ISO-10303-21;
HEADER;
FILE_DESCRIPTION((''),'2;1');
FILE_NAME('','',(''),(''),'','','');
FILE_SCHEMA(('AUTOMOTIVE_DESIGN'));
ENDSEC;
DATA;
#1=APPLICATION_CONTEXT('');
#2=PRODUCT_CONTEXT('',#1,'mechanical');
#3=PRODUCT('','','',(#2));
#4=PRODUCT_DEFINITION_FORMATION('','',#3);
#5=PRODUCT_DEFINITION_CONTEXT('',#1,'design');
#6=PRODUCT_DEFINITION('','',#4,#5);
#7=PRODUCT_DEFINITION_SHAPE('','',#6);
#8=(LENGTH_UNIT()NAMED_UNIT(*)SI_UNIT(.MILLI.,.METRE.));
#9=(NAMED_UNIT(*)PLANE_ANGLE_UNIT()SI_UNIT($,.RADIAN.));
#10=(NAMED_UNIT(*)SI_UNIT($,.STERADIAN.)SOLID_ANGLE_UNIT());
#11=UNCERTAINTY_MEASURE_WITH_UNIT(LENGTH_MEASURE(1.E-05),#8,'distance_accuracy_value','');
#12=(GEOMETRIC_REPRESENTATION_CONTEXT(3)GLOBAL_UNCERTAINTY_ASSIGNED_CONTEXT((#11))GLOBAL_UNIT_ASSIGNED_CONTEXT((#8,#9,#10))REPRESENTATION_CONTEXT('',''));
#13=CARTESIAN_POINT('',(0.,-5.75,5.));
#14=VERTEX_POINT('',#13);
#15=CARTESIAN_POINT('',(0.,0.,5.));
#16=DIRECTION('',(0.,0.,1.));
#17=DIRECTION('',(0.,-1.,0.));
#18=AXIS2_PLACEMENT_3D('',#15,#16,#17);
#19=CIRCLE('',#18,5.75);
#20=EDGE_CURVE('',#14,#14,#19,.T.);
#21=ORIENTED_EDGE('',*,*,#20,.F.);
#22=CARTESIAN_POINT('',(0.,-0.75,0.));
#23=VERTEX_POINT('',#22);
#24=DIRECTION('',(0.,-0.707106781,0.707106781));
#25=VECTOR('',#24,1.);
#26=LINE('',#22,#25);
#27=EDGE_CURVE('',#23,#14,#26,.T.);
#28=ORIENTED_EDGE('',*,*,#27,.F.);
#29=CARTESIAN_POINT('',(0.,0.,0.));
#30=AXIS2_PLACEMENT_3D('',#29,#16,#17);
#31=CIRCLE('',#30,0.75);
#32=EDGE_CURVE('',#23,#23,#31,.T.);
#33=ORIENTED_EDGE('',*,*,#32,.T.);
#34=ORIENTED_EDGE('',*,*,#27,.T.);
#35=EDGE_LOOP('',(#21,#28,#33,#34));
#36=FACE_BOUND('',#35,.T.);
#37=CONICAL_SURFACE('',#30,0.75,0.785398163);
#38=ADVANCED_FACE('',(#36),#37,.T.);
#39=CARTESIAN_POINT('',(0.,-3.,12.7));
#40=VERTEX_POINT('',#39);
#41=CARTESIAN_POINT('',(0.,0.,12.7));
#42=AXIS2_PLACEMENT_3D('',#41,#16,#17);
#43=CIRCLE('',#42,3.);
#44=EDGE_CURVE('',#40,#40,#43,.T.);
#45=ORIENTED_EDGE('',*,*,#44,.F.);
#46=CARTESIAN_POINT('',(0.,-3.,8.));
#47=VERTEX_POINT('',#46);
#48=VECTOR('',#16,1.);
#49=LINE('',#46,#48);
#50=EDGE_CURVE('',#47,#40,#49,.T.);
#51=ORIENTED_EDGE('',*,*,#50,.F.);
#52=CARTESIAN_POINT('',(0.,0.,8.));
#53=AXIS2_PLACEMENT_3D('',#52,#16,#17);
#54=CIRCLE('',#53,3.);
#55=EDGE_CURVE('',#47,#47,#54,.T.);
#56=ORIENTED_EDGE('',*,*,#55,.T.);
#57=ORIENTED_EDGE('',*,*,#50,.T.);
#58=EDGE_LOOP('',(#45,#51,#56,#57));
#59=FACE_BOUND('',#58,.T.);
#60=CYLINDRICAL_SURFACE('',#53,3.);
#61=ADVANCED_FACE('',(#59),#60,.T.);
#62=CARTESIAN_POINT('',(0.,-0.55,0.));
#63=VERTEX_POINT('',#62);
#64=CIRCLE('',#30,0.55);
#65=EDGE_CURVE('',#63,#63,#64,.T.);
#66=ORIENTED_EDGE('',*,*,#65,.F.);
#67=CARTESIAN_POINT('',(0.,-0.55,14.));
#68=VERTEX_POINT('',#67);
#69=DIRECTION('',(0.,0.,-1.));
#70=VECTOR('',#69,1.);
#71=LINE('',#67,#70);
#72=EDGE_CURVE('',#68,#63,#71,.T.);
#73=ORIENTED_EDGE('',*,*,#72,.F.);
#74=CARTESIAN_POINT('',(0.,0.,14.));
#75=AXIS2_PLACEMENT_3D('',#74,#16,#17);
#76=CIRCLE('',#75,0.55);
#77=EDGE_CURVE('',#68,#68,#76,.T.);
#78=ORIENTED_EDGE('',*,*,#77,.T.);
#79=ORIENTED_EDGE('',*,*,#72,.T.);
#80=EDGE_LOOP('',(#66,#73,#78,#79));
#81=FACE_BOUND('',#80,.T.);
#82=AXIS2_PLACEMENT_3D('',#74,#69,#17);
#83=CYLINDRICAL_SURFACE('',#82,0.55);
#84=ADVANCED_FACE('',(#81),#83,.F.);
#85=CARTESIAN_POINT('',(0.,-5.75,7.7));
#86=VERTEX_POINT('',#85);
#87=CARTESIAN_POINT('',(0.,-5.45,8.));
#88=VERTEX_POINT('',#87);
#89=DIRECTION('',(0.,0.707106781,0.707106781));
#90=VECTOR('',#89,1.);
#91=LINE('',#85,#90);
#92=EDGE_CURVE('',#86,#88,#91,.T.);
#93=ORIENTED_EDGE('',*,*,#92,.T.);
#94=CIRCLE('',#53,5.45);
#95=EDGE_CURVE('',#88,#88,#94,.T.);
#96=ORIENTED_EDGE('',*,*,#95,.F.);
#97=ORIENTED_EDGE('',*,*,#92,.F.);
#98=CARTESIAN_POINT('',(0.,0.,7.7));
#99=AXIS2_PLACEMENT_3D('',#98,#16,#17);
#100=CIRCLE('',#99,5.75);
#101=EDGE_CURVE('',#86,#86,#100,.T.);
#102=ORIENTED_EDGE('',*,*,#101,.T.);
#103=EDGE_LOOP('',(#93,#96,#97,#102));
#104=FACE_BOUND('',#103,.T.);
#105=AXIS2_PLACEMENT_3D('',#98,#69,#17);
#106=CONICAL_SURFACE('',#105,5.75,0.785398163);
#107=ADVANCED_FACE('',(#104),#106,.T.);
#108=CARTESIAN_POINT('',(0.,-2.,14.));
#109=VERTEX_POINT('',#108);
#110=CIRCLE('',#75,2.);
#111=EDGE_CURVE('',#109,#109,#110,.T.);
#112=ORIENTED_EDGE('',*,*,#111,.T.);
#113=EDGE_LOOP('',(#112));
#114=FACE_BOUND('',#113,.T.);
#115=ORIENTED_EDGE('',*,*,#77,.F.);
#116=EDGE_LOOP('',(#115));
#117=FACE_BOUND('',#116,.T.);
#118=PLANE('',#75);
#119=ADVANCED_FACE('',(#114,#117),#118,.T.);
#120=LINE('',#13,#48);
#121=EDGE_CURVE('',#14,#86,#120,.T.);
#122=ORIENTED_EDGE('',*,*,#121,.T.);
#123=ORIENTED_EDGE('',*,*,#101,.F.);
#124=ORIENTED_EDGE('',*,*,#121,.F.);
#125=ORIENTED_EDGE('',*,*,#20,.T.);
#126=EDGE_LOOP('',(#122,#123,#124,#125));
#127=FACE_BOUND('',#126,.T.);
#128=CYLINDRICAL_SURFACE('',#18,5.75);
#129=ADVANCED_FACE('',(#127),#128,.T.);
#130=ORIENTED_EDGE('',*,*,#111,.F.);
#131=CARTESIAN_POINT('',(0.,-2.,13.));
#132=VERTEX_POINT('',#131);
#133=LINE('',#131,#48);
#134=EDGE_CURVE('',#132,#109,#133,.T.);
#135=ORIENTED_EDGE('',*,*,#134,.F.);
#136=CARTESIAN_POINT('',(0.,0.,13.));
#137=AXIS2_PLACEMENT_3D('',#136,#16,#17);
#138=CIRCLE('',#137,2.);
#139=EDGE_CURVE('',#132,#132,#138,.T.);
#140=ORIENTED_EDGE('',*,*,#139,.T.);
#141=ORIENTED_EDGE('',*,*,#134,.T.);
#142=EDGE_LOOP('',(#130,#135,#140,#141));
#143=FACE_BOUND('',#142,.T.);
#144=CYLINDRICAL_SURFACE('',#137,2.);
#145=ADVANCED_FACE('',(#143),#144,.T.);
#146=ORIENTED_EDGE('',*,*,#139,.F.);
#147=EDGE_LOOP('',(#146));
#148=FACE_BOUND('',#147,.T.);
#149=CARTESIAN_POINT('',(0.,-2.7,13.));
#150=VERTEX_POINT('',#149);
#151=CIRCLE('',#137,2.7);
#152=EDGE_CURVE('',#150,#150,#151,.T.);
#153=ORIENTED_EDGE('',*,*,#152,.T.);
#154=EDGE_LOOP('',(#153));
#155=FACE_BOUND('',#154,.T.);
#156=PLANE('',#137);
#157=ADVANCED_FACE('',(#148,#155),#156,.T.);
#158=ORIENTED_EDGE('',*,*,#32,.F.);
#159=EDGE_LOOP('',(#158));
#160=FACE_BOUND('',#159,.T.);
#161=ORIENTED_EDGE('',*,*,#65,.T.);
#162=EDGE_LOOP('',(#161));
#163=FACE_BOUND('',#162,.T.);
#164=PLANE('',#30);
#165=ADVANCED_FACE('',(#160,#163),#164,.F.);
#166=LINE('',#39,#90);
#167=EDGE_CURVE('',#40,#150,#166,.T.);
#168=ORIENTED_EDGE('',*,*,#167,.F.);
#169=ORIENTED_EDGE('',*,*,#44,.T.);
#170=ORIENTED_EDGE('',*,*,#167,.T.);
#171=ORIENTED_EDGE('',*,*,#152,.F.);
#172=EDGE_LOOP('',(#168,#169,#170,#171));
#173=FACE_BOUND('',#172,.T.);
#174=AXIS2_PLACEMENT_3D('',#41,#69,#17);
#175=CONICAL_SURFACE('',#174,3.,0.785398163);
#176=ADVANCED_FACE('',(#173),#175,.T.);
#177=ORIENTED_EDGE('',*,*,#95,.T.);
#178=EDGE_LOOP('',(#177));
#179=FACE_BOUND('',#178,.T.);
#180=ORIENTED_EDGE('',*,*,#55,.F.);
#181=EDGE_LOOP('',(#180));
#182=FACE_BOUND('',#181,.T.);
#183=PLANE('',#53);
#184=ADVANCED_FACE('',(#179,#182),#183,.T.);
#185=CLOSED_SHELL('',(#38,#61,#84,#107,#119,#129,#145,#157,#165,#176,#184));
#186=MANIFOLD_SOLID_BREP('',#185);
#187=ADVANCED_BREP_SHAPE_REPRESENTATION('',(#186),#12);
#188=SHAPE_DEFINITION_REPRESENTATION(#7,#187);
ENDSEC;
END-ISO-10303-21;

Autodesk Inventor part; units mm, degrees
ref_plane "YZ Plane" through (0, 0, 0) normal (1, 0, 0) x (0, 1, 0)
ref_plane "XZ Plane" through (0, 0, 0) normal (0, 1, 0) x (-1, 0, 0)
ref_plane "XY Plane" through (0, 0, 0) normal (0, 0, 1) x (1, 0, 0)
sketch "Skizze3" plane through (0, 0, 0) normal (1, 0, 0) x (0, 1, 0)
  line L0 (0, 0) -> (0, 30.5982)
  line L1 (0, 0) -> (-0.75, 0)
  line L2 (-0.75, 0) -> (-5.75, 5)
  line L3 (-5.75, 5) -> (-5.75, 8)
  line L4 (-5.75, 8) -> (-3, 8)
  line L5 (-3, 8) -> (-3, 13)
  line L6 (-3, 13) -> (-2, 13)
  line L7 (-2, 13) -> (-2, 14)
  line L8 (-2, 14) -> (-0.55, 14)
  line L9 (-0.55, 14) -> (-0.55, 0)
  point P0 (-2.5, 13)
  dimension "d7" = 1.5
  dimension "d9" = 11.5
  dimension "d11" = 6
  dimension "d12" = 4
  dimension "d13" = 1
  dimension "d15" = 1.1
  dimension "d37" = 45
  dimension "d38" = 3
  dimension "d39" = 6
revolve "Umdrehung1" add sketch "Skizze3" angle 360 about axis through (0, 0, 0) along (0, 0, 1)
thread "Gewinde1" size "M6x1" class "6g" standard "ISO Metric profile" length 15
chamfer "Fase1" distance 0.3 angle 45 2 edges at (0, 3, 13) (0, 5.75, 8)
properties part number "BT003_huenin20_23" material "Messing"
